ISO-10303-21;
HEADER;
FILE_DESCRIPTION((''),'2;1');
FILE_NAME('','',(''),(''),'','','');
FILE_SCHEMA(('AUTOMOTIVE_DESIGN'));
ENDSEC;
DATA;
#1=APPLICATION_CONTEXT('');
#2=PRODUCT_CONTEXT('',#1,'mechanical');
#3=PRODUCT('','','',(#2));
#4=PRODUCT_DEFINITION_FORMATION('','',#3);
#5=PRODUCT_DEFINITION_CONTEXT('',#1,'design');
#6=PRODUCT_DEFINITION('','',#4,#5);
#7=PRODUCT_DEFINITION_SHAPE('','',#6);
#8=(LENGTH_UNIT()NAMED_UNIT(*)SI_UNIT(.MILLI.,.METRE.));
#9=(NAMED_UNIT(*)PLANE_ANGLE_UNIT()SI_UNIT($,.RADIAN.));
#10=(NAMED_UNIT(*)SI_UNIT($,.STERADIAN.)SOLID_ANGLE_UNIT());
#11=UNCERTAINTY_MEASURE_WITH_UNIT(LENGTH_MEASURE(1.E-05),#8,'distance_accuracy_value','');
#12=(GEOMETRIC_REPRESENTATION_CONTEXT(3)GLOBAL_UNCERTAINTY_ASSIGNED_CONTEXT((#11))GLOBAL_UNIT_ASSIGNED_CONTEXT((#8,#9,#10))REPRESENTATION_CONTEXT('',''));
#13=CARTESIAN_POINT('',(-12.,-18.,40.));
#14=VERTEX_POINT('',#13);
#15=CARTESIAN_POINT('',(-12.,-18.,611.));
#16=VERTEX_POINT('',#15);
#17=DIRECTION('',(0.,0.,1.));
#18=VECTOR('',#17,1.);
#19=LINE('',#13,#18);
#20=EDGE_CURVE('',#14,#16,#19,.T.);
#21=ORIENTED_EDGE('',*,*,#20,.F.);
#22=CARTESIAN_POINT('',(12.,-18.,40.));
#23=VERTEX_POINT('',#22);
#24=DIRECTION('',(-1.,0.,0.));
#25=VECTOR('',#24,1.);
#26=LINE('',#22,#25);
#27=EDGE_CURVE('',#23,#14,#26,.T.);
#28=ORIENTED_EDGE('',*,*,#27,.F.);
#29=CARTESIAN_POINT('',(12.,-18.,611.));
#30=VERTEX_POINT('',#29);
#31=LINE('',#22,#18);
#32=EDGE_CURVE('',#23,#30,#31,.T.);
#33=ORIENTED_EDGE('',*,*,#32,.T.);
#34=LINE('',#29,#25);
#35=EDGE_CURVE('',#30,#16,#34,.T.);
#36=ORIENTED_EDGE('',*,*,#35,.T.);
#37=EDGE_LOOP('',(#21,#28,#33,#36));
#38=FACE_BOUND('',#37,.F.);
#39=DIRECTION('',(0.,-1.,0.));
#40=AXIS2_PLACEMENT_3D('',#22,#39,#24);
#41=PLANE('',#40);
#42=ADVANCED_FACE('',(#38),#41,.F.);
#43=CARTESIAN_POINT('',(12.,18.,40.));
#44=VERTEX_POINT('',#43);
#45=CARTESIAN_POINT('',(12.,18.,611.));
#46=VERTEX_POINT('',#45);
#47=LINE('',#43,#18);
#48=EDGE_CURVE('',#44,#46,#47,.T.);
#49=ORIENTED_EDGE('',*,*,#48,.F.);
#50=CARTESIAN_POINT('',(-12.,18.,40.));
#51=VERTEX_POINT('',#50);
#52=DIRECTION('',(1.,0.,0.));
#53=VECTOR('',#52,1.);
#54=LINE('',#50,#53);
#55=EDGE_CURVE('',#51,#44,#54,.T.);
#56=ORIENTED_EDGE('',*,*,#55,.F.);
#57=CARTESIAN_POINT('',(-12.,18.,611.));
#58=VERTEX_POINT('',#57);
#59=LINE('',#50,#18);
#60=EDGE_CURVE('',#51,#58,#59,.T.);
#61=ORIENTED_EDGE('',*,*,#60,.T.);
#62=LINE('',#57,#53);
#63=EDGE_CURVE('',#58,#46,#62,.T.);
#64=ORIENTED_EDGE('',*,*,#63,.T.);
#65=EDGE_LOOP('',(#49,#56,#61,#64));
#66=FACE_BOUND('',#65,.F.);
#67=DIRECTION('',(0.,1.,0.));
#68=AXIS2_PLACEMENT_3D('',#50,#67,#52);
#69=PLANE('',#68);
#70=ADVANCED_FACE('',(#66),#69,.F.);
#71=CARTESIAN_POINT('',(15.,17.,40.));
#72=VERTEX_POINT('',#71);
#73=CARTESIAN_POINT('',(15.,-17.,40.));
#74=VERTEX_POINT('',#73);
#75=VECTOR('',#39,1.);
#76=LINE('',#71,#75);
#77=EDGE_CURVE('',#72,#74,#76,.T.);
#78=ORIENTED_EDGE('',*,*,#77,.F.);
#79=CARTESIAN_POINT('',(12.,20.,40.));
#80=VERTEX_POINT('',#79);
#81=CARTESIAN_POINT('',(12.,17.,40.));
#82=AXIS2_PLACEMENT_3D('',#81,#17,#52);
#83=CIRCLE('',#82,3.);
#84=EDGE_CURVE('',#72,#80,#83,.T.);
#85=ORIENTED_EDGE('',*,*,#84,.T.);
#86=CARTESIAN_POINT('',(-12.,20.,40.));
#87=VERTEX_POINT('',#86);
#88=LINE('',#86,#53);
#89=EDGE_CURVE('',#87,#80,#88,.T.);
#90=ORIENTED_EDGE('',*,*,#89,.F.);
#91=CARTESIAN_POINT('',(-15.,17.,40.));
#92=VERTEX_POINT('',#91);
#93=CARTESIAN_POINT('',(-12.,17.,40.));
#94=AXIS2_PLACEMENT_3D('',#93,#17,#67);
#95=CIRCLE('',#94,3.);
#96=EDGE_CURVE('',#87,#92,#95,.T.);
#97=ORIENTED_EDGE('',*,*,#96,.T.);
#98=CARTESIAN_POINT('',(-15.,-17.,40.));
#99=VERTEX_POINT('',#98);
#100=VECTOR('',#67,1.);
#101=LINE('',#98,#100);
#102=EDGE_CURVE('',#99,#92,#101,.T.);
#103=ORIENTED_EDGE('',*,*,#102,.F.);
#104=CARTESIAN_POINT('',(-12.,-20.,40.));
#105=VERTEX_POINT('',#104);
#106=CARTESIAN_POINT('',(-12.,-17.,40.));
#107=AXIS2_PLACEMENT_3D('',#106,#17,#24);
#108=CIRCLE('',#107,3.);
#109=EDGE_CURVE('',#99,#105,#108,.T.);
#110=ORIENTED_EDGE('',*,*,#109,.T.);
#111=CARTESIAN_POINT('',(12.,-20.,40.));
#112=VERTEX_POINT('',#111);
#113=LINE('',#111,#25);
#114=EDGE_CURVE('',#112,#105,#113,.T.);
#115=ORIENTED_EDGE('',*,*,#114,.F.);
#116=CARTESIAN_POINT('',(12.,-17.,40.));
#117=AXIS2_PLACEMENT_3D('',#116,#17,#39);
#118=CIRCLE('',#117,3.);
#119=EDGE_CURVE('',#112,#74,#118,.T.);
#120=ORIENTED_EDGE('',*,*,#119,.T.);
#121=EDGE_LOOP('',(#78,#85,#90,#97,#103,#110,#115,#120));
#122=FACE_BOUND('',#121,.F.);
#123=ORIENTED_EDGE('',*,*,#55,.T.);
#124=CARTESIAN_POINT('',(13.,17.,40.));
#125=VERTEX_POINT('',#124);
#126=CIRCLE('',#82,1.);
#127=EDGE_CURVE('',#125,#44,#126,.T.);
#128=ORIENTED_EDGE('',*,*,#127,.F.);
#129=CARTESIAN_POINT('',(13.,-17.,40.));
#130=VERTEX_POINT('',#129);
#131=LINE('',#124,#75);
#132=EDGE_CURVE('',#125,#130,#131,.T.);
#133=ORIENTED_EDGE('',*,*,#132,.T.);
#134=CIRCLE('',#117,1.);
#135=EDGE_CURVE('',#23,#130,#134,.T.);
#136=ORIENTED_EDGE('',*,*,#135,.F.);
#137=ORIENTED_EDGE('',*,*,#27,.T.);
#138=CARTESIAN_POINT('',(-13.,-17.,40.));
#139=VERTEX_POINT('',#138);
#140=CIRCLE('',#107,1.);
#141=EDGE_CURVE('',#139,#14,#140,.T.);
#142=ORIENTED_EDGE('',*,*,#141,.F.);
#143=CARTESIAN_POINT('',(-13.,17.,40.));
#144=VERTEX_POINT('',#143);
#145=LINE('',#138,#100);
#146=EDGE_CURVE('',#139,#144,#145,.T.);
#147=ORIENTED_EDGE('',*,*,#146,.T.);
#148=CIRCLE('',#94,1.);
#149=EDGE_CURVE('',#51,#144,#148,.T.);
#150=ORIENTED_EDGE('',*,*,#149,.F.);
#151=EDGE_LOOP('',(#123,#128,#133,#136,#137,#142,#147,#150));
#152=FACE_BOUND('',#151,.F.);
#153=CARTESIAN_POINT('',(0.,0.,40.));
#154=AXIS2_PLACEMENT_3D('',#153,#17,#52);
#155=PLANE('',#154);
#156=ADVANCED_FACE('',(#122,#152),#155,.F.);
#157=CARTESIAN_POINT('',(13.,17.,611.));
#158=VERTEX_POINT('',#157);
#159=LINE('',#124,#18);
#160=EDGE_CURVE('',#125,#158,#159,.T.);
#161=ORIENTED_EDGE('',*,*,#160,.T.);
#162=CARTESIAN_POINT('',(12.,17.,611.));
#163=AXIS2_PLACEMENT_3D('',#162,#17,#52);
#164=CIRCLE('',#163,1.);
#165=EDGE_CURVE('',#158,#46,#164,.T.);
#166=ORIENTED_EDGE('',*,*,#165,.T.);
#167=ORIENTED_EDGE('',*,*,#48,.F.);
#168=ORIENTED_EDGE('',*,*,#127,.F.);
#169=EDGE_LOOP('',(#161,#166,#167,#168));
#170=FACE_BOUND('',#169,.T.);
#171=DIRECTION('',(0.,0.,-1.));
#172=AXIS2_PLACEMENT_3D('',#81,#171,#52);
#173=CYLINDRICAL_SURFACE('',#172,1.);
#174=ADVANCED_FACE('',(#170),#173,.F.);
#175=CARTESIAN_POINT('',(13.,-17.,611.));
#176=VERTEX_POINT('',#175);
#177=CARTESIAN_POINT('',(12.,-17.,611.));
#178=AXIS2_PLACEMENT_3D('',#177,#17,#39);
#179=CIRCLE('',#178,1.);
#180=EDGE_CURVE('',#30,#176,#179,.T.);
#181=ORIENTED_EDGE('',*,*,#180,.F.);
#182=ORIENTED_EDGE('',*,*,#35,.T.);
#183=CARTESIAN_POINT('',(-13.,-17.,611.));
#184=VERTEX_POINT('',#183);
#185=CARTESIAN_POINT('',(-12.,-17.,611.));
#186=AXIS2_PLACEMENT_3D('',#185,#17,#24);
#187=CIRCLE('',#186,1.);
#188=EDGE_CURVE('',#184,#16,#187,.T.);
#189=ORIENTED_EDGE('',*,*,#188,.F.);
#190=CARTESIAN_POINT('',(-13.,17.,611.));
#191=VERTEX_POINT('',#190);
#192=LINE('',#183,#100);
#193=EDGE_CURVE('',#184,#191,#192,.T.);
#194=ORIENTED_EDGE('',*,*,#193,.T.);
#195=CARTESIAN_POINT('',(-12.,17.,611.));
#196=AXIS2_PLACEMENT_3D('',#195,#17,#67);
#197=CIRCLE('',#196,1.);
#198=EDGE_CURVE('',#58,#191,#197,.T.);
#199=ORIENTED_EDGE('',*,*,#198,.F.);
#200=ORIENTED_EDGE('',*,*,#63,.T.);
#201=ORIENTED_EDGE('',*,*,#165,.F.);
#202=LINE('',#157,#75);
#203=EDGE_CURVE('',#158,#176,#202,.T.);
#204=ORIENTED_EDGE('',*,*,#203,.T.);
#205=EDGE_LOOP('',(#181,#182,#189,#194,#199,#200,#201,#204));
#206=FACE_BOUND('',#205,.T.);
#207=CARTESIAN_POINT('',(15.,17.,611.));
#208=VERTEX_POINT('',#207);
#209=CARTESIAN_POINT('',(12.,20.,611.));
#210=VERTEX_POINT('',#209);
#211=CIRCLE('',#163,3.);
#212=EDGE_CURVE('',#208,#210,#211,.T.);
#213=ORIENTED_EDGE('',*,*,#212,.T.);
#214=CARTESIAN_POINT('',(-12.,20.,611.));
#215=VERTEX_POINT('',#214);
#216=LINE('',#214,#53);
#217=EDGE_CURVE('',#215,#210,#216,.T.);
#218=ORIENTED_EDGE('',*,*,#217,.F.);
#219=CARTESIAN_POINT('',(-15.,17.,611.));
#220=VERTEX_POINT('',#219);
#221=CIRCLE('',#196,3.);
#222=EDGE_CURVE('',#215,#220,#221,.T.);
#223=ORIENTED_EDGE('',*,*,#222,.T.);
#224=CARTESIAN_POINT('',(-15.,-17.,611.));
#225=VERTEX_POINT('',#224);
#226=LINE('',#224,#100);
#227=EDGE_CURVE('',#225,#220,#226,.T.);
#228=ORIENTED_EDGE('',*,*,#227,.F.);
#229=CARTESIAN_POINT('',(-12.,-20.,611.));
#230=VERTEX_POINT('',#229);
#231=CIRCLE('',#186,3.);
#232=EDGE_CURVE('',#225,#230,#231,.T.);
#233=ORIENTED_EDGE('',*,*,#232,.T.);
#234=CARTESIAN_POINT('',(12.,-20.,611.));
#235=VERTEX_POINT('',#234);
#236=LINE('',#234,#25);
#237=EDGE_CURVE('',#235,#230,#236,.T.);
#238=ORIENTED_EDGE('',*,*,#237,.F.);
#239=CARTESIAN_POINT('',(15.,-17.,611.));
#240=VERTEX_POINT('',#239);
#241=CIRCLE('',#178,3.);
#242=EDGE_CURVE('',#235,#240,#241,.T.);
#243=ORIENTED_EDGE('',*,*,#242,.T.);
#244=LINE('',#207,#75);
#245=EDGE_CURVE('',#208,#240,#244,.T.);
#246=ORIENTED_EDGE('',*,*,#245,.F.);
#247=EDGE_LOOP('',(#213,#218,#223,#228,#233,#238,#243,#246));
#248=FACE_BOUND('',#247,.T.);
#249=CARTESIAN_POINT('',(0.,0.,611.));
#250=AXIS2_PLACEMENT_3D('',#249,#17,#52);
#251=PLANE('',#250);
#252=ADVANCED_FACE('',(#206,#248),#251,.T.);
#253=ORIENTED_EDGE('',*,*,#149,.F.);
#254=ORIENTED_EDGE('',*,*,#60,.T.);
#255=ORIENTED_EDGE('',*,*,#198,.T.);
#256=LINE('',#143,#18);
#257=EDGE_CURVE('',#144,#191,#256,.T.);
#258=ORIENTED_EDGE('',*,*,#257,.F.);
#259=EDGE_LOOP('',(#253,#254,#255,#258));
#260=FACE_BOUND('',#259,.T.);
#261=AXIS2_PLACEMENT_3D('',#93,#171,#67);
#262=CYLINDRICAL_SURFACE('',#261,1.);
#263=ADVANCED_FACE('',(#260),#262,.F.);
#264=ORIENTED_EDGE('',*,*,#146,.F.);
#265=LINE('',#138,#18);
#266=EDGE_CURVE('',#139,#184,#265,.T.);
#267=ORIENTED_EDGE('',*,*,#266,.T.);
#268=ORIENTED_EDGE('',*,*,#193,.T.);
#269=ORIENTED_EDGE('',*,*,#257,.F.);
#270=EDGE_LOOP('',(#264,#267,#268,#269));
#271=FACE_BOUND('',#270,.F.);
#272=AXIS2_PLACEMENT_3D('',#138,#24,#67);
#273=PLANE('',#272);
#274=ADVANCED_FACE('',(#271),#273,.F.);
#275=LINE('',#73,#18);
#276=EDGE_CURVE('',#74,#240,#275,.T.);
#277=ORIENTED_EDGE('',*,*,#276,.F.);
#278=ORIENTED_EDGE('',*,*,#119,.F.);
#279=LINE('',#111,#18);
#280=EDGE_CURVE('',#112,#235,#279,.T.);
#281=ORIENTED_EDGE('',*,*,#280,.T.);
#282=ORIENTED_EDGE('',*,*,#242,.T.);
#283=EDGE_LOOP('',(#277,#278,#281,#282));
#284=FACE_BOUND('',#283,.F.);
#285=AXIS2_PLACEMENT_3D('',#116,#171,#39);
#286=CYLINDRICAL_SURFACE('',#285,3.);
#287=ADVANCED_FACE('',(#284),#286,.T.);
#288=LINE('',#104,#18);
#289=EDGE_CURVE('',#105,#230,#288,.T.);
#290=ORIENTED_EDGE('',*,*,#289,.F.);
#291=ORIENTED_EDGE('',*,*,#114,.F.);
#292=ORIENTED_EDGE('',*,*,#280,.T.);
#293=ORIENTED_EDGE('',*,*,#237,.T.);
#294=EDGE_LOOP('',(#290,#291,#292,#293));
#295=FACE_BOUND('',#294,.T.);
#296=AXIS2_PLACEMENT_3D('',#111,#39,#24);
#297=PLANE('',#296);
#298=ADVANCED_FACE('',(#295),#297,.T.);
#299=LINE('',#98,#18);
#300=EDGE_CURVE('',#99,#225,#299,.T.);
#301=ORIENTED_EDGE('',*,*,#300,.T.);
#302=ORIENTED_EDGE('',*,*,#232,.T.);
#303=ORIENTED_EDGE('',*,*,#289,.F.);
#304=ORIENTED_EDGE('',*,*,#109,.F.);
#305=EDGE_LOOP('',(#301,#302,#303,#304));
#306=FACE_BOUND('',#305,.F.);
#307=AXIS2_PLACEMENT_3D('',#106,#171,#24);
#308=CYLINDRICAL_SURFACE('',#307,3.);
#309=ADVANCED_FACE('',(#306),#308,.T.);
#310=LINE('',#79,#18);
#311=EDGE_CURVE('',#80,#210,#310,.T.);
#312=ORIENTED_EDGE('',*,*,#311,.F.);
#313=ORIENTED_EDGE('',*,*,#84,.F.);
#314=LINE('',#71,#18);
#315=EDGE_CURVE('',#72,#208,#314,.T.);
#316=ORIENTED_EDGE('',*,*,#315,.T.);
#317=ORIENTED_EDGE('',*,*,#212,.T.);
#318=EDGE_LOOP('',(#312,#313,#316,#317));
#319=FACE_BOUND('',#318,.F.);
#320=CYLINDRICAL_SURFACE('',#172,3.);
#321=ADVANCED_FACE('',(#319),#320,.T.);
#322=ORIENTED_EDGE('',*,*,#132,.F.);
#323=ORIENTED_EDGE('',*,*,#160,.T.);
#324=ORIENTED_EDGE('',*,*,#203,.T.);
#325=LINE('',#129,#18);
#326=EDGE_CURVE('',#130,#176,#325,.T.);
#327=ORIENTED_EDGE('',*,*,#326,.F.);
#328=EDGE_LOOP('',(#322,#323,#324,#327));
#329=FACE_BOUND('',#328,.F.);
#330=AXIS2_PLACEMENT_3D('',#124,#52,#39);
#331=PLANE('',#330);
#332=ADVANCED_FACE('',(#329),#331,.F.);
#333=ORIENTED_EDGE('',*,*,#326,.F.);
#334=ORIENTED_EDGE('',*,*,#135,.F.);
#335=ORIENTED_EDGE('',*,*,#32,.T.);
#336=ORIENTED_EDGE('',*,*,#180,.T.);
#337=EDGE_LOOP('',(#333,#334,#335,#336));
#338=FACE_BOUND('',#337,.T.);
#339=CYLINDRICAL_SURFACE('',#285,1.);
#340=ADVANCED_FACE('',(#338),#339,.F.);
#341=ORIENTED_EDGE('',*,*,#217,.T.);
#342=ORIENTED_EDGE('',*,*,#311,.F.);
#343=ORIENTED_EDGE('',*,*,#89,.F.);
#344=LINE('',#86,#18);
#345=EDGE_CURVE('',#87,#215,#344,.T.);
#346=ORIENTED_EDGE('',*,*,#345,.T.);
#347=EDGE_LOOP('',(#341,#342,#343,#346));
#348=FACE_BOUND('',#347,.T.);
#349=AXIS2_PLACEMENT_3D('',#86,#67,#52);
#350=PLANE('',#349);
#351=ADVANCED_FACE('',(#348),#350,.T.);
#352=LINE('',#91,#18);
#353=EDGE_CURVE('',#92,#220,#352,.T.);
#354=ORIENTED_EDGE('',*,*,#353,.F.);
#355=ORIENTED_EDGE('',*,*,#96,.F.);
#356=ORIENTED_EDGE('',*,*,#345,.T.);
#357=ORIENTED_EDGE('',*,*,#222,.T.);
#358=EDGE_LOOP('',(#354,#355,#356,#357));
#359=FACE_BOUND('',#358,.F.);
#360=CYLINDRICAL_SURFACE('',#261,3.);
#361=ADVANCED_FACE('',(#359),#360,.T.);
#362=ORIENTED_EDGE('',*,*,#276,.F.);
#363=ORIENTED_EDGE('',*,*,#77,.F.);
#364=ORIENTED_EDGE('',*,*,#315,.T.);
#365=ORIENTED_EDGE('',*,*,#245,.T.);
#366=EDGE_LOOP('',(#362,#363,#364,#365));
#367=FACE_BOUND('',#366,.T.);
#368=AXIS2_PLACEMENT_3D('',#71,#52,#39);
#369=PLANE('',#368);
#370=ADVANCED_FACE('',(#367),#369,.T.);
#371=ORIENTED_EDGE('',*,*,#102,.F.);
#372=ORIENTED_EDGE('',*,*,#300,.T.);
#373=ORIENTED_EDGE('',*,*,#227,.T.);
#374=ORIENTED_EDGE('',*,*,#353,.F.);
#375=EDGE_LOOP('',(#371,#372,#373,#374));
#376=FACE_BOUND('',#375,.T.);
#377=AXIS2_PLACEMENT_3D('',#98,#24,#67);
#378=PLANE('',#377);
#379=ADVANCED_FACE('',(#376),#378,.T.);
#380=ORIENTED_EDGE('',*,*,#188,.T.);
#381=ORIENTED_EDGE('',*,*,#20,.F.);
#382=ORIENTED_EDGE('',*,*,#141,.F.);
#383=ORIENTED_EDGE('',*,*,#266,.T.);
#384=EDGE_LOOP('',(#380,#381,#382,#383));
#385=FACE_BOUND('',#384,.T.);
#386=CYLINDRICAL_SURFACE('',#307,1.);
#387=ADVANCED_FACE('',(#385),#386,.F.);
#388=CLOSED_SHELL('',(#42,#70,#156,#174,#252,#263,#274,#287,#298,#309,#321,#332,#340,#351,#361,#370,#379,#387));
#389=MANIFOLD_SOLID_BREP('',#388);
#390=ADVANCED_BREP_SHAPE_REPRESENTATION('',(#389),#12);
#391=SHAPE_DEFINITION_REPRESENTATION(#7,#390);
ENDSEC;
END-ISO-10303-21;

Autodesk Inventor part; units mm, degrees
ref_plane "Start plane" through (0, 0, 40) normal (0, 0, 1) x (1, 0, 0)
ref_plane "End plane" through (0, 0, 611) normal (0, 0, 1) x (1, 0, 0)
sketch "Sketch" plane through (0, 0, 0) normal (0, 0, 1) x (1, 0, 0)
  line L0 (-15, -17) -> (-15, 17)
  line L1 (-12, 20) -> (12, 20)
  line L2 (15, 17) -> (15, -17)
  line L3 (12, -20) -> (-12, -20)
  arc A0 (-15, -17) -> (-12, -20) centre (-12, -17) ccw
  arc A1 (-12, 20) -> (-15, 17) centre (-12, 17) ccw
  arc A2 (15, 17) -> (12, 20) centre (12, 17) ccw
  arc A3 (12, -20) -> (15, -17) centre (12, -17) ccw
  arc A4 (-12, 18) -> (-13, 17) centre (-12, 17) ccw
  line L4 (-12, 18) -> (12, 18)
  arc A5 (13, 17) -> (12, 18) centre (12, 17) ccw
  line L5 (13, 17) -> (13, -17)
  arc A6 (12, -18) -> (13, -17) centre (12, -17) ccw
  line L6 (12, -18) -> (-12, -18)
  arc A7 (-13, -17) -> (-12, -18) centre (-12, -17) ccw
  line L7 (-13, -17) -> (-13, 17)
  line L8 (0, 28.8698) -> (0, -28.8698) construction
  line L9 (-14.8698, 0) -> (14.8698, 0) construction
  dimension "d7" = 3
  dimension "d10" = 40
  dimension "d11" = 30
  dimension "d12" = 2
  dimension "d15" = 20
  dimension "d16" = 15
extrude "Body" add sketch "Sketch" along normal up to surface (571 mm away) from surface at 40
sketch "Sketch3" plane through (0, 0, 0) normal (0, 0, 1) x (1, 0, 0)
  line L0 (0, 0) -> (10, 0)
ref_plane "Work Plane3" through (0, 0, 0) normal (0, -1, 0) x (1, 0, 0)
sketch "Sketch4" plane through (0, 0, 0) normal (0, -1, 0) x (1, 0, 0)
  line L0 (-2, 40) -> (12, 40)
  line L1 (-2, 611) -> (12, 611)
  dimension "d18" = 571
ref_plane "Work Plane4" through (-37, -100, 611) normal (0, 0, 1) x (1, 0, 0)
split "Split1" plane through (-37, -100, 611) removes the side toward (0, 0, 1)
ref_plane "Work Plane5" through (310, 22, 40) normal (0, 0, -1) x (-1, 0, 0)
split "Split2" plane through (310, 22, 40) removes the side toward (0, 0, -1)
equation "\"d7\" = G_IR"
equation "\"d10\" = G_H"
equation "\"d11\" = G_W"
equation "\"d12\" = G_T"
equation "\"d15\" = 0.5 * d10"
equation "\"d16\" = 0.5 * d11"
equation "\"d3\" = G_L"
equation "\"G_W\" = 30"
equation "\"G_H\" = 40"
equation "\"G_T\" = 2"
equation "\"G_IR\" = 3"
equation "\"G_L\" = d18"
equation "\"G_OFFSET_START\" = -40"
equation "\"G_OFFSET_END\" = -40"
equation "\"d13\" = -G_OFFSET_START"
equation "\"d14\" = G_OFFSET_END + B_L"
equation "\"B_L\" = 651"
properties part number "UNI EN 10305-5 - 40 x 30 x 2  - 571" material "Steel, Mild"
